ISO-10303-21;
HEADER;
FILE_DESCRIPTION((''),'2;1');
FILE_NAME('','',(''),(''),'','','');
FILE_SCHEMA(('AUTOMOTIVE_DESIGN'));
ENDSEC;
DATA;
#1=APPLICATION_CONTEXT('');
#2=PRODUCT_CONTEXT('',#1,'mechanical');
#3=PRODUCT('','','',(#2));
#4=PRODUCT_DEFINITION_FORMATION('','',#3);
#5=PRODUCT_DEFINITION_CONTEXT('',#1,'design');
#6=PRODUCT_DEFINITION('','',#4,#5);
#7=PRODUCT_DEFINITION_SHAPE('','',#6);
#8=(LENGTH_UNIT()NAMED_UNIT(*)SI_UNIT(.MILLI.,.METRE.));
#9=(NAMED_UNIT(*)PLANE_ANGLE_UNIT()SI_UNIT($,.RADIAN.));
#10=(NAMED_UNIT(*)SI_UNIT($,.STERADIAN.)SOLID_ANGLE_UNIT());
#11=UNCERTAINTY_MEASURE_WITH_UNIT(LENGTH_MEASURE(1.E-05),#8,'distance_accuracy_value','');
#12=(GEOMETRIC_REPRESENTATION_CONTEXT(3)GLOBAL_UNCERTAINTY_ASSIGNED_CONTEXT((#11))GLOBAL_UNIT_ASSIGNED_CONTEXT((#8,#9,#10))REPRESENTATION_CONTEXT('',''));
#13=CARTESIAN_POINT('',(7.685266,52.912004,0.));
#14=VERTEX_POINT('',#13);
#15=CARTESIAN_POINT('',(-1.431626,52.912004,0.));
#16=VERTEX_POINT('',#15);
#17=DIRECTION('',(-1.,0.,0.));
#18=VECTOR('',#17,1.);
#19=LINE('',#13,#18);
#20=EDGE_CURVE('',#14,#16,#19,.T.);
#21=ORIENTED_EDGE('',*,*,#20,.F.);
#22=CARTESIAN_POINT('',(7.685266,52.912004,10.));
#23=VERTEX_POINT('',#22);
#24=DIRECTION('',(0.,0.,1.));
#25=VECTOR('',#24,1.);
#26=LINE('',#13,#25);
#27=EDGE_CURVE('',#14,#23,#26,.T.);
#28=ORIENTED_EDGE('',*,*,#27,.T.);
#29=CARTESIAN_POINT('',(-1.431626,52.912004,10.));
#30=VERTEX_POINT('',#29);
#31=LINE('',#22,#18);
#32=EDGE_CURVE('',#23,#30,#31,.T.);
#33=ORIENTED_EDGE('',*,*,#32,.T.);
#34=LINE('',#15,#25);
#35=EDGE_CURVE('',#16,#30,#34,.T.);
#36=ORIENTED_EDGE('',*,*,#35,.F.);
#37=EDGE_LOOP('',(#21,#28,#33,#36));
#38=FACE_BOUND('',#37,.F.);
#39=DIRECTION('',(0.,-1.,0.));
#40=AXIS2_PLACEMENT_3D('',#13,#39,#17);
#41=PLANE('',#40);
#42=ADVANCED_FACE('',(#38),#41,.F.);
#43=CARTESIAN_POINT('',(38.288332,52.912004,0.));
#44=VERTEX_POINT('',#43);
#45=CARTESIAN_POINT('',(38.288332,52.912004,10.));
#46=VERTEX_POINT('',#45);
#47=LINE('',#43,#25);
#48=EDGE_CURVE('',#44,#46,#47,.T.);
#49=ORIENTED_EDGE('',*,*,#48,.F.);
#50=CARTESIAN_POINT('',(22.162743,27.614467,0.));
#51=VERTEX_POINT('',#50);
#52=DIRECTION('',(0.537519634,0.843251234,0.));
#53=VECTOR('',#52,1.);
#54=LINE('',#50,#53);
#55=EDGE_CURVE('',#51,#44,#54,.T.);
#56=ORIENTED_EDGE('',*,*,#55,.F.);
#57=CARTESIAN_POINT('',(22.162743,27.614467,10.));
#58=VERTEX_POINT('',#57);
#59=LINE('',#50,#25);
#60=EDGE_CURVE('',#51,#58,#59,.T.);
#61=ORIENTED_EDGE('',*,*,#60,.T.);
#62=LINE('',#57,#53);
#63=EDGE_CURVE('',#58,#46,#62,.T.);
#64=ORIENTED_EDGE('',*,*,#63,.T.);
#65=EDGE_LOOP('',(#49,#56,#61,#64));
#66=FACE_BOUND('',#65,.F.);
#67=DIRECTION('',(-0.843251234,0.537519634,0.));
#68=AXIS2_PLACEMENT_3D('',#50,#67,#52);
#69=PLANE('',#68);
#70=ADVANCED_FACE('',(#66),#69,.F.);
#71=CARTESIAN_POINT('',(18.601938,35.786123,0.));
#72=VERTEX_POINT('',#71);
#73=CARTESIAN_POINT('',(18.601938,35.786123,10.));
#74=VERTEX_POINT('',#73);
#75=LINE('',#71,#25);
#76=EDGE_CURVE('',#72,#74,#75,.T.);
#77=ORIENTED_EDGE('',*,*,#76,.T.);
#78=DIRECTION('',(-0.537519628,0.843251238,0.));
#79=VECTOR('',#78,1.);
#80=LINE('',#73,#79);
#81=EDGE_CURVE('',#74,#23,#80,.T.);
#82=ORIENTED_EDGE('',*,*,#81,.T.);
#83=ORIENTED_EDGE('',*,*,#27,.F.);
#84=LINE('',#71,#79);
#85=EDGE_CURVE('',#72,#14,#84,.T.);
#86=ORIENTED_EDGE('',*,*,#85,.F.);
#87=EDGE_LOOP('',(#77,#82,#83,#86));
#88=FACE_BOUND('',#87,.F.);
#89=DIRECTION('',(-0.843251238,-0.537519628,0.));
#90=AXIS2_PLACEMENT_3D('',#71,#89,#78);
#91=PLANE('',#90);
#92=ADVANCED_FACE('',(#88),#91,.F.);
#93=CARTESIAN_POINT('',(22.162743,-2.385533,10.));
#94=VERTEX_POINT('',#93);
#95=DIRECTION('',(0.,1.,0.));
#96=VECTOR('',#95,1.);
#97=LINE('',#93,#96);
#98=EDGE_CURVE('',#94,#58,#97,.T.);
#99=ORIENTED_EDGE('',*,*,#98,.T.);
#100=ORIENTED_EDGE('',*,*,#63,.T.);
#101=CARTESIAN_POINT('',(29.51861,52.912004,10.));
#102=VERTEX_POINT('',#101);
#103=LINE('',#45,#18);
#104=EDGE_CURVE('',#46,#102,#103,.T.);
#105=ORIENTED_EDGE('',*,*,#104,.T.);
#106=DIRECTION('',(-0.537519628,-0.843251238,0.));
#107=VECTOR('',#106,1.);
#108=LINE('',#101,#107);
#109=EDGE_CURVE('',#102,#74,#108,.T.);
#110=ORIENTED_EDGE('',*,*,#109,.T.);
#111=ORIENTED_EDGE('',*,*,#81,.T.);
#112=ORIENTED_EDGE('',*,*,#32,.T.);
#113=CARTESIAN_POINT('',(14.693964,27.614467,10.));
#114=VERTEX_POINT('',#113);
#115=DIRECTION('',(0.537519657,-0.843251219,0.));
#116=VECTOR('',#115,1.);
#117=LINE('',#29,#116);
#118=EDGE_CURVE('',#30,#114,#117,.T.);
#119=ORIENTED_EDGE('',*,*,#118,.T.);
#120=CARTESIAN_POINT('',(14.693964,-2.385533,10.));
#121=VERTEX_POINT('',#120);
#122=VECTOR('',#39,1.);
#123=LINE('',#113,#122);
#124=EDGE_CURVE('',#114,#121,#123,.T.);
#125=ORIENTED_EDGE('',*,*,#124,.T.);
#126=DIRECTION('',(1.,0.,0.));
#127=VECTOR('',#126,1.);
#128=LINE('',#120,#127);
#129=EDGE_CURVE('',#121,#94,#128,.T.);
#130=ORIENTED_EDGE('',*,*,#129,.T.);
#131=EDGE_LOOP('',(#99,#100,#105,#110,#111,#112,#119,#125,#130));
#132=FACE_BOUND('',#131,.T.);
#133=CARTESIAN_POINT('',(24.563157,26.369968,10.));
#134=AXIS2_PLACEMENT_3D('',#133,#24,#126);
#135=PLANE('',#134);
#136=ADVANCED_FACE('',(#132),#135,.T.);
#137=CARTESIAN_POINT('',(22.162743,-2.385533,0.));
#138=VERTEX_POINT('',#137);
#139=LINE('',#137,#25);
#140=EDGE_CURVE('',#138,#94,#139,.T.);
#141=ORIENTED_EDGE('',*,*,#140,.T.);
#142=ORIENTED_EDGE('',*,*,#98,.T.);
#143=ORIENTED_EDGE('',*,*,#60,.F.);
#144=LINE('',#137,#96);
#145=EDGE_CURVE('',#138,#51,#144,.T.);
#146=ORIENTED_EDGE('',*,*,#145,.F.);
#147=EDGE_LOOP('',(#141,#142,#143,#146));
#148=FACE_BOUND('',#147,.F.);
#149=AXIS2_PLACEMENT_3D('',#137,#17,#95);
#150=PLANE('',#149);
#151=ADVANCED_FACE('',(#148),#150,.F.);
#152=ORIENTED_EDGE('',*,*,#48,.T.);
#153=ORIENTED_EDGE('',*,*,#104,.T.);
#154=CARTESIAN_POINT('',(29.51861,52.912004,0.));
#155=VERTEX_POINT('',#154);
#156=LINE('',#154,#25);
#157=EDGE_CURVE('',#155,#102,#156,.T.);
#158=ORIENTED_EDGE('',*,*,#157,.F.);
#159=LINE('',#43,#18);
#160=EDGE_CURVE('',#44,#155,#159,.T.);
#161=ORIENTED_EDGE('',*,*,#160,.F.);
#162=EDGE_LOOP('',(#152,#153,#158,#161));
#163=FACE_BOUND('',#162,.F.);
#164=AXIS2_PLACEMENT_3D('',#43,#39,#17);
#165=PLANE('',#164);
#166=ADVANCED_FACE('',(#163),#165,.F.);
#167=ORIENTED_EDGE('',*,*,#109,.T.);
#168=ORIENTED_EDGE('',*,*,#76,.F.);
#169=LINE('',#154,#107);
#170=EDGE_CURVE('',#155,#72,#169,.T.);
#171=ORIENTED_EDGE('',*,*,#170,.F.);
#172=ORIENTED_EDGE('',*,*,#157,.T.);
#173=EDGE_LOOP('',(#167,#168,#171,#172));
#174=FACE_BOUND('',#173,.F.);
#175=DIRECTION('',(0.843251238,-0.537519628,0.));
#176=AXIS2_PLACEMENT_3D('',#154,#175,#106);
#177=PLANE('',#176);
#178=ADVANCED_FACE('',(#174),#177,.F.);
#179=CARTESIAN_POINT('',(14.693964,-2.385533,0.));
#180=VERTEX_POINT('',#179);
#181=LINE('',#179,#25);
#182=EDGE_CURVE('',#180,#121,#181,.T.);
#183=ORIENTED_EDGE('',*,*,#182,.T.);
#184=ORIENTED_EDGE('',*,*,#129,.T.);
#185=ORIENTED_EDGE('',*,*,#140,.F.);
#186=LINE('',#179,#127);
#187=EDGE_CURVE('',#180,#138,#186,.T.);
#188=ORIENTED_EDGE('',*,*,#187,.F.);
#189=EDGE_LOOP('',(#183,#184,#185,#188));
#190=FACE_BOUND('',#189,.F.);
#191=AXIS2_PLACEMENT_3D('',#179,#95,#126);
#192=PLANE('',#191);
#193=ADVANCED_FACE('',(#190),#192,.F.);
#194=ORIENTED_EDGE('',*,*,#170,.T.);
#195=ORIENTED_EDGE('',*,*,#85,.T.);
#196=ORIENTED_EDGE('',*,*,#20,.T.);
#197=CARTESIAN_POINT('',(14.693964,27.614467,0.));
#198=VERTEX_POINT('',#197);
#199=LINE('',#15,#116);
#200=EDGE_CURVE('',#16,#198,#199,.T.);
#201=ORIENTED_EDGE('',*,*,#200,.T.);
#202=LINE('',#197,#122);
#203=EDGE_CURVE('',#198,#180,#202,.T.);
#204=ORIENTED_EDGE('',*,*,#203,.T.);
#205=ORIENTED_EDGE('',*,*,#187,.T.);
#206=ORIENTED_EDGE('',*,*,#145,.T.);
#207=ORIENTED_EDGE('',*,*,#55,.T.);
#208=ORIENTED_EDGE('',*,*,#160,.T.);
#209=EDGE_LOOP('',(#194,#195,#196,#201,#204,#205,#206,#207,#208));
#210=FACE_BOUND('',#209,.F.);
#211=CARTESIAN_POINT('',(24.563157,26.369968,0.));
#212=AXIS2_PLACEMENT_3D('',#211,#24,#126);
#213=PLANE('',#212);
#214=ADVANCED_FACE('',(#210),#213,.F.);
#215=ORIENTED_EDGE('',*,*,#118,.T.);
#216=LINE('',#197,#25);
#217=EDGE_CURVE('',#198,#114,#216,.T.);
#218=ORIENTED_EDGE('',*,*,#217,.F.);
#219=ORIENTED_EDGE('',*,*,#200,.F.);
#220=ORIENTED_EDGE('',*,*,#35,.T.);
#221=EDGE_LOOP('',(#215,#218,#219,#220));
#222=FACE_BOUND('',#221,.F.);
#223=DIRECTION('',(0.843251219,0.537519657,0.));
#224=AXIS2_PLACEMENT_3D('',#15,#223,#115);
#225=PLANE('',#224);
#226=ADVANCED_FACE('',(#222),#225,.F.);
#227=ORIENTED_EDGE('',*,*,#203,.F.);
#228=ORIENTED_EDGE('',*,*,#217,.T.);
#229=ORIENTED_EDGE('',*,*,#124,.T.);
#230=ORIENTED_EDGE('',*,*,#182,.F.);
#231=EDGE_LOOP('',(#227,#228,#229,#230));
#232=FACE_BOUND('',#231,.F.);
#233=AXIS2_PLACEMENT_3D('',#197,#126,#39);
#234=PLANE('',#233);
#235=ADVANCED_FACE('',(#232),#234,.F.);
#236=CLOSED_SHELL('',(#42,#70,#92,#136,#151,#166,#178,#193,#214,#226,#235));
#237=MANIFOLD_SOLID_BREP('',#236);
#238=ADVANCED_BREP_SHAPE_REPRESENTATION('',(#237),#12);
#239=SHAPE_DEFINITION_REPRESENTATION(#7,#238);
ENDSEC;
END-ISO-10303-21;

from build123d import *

# Parameters (mm, degrees)
F1_DEPTH = 10


with BuildPart() as f1:
    # F0 (on Top) → F1 (new body)
    with BuildSketch(Plane.XY):
        Polygon((21.119604, 31.836453), (18.428353, 27.614467), (18.428353, -2.385533), (22.162743, -2.385533), (22.162743, 27.614467), (38.288332, 52.912004), (34.553942, 52.912004), align=None)
        Polygon((2.302764, 52.912004), (18.428353, 27.614467), (21.119604, 31.836453), (18.601938, 35.786123), (7.685266, 52.912004), align=None)
        Polygon((18.428353, -2.385533), (18.428353, 27.614467), (2.302764, 52.912004), (-1.431626, 52.912004), (14.693964, 27.614467), (14.693964, -2.385533), align=None)
        Polygon((18.601938, 35.786123), (21.119604, 31.836453), (34.553942, 52.912004), (29.51861, 52.912004), align=None)
    extrude(amount=F1_DEPTH)


solid = f1.part
